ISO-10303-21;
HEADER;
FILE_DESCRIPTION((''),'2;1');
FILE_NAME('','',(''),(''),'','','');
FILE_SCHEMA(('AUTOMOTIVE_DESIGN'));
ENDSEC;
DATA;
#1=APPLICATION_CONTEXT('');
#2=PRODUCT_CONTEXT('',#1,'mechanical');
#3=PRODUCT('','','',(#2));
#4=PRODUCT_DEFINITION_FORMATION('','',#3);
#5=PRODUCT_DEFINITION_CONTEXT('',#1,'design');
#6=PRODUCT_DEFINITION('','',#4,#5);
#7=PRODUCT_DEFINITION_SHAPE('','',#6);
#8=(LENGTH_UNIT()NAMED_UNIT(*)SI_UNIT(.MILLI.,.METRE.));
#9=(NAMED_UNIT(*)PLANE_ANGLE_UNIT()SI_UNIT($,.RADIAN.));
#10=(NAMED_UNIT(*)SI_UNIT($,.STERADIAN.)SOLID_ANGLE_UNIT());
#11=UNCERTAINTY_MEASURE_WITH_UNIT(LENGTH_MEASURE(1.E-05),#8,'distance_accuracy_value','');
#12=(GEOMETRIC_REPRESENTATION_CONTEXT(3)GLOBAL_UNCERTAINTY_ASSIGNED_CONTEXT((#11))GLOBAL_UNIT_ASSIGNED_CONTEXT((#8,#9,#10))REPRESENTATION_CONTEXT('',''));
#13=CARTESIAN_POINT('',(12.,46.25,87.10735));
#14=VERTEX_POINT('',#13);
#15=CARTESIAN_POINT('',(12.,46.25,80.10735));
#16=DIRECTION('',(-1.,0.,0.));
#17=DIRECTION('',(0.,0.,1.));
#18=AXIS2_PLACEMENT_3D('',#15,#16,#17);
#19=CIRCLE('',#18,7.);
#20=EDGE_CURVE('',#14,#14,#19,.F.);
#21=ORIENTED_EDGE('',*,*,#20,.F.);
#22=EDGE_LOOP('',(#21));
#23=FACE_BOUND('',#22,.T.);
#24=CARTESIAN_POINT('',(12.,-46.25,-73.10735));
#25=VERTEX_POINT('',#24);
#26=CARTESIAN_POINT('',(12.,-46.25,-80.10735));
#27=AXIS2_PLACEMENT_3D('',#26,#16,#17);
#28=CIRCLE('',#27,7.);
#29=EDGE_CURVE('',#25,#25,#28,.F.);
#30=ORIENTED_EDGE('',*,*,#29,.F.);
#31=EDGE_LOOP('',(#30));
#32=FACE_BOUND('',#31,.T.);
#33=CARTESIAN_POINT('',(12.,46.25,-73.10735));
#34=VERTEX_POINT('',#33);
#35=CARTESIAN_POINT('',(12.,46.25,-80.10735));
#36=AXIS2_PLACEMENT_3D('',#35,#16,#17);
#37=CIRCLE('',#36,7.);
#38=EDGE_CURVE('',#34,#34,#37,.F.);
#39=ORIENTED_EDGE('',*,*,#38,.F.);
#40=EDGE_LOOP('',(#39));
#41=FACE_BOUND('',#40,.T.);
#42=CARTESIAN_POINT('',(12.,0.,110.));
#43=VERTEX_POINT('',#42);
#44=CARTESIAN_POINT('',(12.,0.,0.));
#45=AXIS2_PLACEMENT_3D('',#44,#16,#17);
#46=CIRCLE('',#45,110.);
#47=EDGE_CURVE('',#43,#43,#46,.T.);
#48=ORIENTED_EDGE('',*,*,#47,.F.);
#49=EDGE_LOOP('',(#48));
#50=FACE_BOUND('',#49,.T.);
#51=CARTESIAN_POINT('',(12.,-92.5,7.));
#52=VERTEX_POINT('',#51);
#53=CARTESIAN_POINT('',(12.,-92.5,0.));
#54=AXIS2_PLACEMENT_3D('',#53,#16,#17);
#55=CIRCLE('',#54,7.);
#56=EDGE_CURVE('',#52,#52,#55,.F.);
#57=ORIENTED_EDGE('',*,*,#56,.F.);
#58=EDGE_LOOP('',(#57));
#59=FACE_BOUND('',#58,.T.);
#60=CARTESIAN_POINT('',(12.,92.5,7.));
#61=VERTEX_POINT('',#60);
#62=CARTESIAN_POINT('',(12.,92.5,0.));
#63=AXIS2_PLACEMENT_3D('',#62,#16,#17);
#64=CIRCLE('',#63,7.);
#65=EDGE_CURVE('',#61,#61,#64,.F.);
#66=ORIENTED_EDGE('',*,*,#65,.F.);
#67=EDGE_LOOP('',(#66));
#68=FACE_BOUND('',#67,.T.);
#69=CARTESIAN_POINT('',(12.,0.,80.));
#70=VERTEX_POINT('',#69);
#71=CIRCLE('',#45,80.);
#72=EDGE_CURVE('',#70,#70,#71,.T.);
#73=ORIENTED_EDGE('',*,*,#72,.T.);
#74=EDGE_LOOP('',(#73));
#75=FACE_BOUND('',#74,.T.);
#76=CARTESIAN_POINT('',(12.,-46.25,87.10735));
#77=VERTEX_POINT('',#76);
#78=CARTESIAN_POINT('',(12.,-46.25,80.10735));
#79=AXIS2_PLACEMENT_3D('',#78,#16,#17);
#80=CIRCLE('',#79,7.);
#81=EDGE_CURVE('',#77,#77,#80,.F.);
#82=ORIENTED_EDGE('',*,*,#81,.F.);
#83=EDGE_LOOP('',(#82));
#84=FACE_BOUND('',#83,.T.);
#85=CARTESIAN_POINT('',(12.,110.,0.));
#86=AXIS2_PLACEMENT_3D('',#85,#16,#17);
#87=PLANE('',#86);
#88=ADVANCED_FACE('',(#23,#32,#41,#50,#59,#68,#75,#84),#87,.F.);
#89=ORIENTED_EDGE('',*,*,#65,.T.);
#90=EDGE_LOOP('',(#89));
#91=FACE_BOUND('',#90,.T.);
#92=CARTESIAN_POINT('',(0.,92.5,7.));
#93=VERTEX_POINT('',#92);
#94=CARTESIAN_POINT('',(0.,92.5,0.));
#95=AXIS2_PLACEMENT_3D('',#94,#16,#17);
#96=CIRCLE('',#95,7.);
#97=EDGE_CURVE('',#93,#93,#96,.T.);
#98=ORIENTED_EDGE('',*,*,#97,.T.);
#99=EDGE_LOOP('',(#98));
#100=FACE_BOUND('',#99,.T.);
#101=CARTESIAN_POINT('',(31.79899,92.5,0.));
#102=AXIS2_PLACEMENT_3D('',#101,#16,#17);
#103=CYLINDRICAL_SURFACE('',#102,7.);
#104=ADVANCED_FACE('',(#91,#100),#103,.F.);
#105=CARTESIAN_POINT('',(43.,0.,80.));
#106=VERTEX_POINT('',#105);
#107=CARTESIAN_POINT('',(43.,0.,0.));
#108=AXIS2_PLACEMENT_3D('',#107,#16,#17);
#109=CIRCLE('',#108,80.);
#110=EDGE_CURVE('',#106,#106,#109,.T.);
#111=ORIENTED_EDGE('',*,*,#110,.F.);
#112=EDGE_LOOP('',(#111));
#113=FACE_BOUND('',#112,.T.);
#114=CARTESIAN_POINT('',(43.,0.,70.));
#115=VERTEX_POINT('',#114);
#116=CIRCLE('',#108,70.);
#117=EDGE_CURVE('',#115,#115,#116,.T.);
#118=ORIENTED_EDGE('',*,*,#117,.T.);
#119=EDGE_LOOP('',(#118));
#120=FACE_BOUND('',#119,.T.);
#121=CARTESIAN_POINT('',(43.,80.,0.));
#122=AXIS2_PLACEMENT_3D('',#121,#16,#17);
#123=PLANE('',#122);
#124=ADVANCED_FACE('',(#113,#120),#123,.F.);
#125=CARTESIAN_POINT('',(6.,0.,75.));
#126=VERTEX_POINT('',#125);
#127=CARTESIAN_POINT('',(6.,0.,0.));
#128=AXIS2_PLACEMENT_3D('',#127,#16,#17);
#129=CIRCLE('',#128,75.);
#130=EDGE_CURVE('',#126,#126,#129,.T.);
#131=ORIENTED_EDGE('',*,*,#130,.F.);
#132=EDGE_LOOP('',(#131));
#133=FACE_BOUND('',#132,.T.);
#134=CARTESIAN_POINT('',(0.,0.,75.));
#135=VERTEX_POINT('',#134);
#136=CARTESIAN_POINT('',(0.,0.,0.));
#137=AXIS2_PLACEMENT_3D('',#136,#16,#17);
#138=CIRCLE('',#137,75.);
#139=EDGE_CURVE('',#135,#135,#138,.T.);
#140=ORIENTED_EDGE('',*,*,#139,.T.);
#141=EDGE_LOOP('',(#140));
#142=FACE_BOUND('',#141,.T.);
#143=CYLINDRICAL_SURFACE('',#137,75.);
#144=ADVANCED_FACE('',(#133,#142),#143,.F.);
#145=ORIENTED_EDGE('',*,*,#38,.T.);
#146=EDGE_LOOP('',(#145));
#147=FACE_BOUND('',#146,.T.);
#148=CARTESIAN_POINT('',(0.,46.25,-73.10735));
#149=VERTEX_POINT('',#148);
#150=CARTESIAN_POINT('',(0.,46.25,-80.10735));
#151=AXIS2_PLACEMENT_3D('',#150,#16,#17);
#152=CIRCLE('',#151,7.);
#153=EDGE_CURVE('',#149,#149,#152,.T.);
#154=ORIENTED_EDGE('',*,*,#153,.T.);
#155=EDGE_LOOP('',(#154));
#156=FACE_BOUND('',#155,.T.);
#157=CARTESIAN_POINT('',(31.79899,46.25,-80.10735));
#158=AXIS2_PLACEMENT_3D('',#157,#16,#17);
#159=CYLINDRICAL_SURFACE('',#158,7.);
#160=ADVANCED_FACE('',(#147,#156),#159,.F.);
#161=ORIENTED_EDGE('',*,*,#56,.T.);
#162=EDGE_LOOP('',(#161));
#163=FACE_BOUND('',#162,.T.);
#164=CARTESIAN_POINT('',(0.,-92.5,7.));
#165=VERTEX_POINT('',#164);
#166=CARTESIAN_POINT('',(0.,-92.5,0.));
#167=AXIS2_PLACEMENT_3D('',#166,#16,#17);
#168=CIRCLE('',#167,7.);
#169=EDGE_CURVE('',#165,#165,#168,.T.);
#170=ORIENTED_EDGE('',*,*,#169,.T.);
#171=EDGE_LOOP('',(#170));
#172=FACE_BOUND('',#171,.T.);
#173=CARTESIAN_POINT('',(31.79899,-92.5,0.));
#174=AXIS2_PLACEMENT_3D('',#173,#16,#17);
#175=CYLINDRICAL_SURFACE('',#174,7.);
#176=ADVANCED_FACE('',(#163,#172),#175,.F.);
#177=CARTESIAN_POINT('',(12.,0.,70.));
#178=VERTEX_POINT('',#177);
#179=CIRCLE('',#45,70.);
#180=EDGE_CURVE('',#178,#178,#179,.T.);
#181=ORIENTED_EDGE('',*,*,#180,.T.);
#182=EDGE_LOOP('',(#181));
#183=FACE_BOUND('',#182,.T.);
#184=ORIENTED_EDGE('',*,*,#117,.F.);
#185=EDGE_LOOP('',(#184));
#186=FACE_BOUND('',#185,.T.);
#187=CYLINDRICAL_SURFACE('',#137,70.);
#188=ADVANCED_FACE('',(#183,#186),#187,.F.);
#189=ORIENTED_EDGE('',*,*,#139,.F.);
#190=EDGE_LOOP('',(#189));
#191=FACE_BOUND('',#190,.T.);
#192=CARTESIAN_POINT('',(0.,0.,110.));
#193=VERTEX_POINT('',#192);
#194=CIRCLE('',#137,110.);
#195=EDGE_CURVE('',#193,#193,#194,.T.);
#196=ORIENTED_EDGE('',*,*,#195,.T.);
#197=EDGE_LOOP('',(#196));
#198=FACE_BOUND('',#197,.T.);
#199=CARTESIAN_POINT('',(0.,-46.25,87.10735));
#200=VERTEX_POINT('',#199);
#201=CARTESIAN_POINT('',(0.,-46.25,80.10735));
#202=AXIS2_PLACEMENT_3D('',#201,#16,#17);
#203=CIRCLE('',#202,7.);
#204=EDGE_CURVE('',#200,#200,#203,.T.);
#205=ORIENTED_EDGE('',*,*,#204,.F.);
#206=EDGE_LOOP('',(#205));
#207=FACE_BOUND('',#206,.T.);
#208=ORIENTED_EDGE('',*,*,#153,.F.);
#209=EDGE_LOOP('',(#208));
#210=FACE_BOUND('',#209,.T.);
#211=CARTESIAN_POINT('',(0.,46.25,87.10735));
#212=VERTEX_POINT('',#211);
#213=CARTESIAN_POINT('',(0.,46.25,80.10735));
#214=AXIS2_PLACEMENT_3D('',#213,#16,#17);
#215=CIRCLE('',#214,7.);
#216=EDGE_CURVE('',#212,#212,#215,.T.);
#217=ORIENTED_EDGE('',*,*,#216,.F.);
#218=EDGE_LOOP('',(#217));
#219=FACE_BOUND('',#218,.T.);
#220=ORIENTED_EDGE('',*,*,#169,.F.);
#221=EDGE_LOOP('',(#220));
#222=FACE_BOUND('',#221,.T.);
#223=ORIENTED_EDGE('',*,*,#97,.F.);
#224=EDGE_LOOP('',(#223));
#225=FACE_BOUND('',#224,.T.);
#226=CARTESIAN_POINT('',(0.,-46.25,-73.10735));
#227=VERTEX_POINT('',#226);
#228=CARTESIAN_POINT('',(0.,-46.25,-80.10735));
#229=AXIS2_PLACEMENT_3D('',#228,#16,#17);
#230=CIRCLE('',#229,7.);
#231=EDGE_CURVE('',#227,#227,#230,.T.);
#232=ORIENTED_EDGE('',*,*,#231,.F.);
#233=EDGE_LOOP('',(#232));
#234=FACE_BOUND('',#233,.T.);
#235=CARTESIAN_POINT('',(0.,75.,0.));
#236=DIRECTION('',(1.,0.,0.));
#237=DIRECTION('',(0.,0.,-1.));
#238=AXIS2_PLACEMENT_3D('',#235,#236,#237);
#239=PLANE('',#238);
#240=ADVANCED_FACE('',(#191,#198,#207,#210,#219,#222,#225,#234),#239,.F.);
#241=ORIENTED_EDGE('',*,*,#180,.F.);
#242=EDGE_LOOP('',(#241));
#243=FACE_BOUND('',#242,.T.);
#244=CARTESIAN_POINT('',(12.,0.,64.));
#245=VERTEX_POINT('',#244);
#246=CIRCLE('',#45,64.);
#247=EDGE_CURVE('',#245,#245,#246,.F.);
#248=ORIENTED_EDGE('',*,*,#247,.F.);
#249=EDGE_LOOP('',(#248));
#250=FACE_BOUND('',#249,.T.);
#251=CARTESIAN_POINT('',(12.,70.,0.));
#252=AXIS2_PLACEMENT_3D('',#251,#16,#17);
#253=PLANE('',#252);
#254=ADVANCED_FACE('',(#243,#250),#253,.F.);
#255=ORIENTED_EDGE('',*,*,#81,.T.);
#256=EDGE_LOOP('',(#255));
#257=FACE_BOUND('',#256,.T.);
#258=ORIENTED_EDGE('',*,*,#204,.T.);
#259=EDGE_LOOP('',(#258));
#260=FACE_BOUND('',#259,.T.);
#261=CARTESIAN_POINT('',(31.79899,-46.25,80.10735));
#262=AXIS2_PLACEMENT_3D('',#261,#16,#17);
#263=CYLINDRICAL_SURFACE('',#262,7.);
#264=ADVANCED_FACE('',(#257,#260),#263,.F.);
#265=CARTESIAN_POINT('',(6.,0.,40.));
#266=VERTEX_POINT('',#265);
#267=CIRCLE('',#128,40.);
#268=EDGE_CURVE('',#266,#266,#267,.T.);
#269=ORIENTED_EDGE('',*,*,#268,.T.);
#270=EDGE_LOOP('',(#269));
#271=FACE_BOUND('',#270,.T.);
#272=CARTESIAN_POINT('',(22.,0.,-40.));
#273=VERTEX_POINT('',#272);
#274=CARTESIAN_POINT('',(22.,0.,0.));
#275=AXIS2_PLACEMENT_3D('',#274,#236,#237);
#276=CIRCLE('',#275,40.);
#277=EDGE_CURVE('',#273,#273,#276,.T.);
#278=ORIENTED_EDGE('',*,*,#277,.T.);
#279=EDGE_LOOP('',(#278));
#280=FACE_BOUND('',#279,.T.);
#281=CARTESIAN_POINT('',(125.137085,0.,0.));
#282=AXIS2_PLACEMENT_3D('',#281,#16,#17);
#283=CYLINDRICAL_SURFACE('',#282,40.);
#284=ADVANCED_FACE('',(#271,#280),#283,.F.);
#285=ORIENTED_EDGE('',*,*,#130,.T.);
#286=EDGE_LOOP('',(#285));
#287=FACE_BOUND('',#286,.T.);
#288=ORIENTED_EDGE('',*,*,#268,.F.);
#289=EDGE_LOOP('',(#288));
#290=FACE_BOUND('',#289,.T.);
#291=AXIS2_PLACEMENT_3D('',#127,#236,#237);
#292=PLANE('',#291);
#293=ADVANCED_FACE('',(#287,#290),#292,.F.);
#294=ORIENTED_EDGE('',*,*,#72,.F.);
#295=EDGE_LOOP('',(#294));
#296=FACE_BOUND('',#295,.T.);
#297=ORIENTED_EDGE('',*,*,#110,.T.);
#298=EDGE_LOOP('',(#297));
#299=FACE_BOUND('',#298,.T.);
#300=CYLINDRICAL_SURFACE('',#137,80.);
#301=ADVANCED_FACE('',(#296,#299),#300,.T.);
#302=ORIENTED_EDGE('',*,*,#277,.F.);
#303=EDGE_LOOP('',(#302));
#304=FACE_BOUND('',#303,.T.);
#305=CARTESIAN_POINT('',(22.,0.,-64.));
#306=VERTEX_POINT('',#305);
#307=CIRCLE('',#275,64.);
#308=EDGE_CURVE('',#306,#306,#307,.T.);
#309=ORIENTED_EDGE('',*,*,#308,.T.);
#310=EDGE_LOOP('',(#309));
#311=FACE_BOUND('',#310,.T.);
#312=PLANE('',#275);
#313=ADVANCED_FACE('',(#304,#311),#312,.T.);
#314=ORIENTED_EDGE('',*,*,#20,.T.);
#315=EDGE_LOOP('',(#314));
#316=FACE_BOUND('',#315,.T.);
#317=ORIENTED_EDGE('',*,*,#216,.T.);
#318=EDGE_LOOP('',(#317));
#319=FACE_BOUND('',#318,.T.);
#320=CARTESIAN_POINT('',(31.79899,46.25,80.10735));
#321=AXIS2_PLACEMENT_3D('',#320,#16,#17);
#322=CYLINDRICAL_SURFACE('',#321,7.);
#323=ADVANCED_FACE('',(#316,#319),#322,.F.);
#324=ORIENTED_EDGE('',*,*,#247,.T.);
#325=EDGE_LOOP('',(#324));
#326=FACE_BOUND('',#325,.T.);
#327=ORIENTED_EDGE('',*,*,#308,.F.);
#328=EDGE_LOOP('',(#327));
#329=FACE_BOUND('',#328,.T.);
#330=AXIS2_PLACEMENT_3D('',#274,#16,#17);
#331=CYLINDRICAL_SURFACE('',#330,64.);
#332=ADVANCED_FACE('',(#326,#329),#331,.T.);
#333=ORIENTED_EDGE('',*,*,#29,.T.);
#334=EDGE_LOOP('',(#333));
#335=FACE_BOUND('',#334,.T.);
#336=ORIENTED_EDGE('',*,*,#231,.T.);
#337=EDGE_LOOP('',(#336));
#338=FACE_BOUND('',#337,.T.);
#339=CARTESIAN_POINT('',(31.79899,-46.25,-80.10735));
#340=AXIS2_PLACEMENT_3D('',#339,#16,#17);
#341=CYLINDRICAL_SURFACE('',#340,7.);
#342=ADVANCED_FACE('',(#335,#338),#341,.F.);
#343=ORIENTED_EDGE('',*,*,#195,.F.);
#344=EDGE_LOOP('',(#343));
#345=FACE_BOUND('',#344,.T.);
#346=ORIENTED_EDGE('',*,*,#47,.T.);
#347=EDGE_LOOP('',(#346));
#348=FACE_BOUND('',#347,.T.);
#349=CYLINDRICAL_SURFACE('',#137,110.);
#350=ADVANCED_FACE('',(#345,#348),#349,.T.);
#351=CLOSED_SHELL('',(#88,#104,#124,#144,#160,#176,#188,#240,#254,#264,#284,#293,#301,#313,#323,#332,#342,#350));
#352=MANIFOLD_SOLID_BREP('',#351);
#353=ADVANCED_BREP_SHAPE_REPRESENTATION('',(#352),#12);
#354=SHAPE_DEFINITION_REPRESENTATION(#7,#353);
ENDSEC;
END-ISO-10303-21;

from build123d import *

# Parameters (mm, degrees)
SKETCH2_R           = 7
CUT_EXTRUDE1_DEPTH  = 12
SKETCH3_R           = 40
CUT_EXTRUDE2_DEPTH  = 6
SKETCH4_R           = 64
SKETCH4_R_2         = 40
BOSS_EXTRUDE1_DEPTH = 10


with BuildPart() as part:
    # Sketch1 → Revolve1 (revolve)
    with BuildSketch(Plane.XY, mode=Mode.PRIVATE) as revolve1_sk:
        Polygon((0, 75), (0, 110), (12, 110), (12, 80), (43, 80), (43, 70), (12, 70), (12, 0), (6, 0), (6, 75), align=None)
    revolve(revolve1_sk.sketch.rotate(Axis((0, 0, 0), (1, 0, 0)), 90), axis=Axis((0, 0, 0), (1, 0, 0)))

    # Sketch2 → Cut-Extrude1 (cut)
    with BuildSketch(Plane.ZY):
        with Locations((0, 92.5)):
            Circle(SKETCH2_R)
        with Locations((80.10734985, 46.25)):
            Circle(SKETCH2_R)
        with Locations((80.10734985, -46.25)):
            Circle(SKETCH2_R)
        with Locations((0, -92.5)):
            Circle(SKETCH2_R)
        with Locations((-80.10734985, -46.25)):
            Circle(SKETCH2_R)
        with Locations((-80.10734985, 46.25)):
            Circle(SKETCH2_R)
    extrude(amount=-CUT_EXTRUDE1_DEPTH, mode=Mode.SUBTRACT)

    # Sketch3 → Cut-Extrude2 (cut)
    with BuildSketch(Plane.ZY.offset(-6)):
        Circle(SKETCH3_R)
    extrude(amount=-CUT_EXTRUDE2_DEPTH, mode=Mode.SUBTRACT)

    # Sketch4 → Boss-Extrude1 (add)
    with BuildSketch(Plane(origin=(12, 0, 0), x_dir=(0, 0, -1), z_dir=(1, 0, 0))):
        with Locations(Location((0, 0, 0), (0, 0, 180))):
            Circle(SKETCH4_R)
        with Locations(Location((0, 0, 0), (0, 0, 180))):
            Circle(SKETCH4_R_2, mode=Mode.SUBTRACT)
    extrude(amount=BOSS_EXTRUDE1_DEPTH)


solid = part.part
